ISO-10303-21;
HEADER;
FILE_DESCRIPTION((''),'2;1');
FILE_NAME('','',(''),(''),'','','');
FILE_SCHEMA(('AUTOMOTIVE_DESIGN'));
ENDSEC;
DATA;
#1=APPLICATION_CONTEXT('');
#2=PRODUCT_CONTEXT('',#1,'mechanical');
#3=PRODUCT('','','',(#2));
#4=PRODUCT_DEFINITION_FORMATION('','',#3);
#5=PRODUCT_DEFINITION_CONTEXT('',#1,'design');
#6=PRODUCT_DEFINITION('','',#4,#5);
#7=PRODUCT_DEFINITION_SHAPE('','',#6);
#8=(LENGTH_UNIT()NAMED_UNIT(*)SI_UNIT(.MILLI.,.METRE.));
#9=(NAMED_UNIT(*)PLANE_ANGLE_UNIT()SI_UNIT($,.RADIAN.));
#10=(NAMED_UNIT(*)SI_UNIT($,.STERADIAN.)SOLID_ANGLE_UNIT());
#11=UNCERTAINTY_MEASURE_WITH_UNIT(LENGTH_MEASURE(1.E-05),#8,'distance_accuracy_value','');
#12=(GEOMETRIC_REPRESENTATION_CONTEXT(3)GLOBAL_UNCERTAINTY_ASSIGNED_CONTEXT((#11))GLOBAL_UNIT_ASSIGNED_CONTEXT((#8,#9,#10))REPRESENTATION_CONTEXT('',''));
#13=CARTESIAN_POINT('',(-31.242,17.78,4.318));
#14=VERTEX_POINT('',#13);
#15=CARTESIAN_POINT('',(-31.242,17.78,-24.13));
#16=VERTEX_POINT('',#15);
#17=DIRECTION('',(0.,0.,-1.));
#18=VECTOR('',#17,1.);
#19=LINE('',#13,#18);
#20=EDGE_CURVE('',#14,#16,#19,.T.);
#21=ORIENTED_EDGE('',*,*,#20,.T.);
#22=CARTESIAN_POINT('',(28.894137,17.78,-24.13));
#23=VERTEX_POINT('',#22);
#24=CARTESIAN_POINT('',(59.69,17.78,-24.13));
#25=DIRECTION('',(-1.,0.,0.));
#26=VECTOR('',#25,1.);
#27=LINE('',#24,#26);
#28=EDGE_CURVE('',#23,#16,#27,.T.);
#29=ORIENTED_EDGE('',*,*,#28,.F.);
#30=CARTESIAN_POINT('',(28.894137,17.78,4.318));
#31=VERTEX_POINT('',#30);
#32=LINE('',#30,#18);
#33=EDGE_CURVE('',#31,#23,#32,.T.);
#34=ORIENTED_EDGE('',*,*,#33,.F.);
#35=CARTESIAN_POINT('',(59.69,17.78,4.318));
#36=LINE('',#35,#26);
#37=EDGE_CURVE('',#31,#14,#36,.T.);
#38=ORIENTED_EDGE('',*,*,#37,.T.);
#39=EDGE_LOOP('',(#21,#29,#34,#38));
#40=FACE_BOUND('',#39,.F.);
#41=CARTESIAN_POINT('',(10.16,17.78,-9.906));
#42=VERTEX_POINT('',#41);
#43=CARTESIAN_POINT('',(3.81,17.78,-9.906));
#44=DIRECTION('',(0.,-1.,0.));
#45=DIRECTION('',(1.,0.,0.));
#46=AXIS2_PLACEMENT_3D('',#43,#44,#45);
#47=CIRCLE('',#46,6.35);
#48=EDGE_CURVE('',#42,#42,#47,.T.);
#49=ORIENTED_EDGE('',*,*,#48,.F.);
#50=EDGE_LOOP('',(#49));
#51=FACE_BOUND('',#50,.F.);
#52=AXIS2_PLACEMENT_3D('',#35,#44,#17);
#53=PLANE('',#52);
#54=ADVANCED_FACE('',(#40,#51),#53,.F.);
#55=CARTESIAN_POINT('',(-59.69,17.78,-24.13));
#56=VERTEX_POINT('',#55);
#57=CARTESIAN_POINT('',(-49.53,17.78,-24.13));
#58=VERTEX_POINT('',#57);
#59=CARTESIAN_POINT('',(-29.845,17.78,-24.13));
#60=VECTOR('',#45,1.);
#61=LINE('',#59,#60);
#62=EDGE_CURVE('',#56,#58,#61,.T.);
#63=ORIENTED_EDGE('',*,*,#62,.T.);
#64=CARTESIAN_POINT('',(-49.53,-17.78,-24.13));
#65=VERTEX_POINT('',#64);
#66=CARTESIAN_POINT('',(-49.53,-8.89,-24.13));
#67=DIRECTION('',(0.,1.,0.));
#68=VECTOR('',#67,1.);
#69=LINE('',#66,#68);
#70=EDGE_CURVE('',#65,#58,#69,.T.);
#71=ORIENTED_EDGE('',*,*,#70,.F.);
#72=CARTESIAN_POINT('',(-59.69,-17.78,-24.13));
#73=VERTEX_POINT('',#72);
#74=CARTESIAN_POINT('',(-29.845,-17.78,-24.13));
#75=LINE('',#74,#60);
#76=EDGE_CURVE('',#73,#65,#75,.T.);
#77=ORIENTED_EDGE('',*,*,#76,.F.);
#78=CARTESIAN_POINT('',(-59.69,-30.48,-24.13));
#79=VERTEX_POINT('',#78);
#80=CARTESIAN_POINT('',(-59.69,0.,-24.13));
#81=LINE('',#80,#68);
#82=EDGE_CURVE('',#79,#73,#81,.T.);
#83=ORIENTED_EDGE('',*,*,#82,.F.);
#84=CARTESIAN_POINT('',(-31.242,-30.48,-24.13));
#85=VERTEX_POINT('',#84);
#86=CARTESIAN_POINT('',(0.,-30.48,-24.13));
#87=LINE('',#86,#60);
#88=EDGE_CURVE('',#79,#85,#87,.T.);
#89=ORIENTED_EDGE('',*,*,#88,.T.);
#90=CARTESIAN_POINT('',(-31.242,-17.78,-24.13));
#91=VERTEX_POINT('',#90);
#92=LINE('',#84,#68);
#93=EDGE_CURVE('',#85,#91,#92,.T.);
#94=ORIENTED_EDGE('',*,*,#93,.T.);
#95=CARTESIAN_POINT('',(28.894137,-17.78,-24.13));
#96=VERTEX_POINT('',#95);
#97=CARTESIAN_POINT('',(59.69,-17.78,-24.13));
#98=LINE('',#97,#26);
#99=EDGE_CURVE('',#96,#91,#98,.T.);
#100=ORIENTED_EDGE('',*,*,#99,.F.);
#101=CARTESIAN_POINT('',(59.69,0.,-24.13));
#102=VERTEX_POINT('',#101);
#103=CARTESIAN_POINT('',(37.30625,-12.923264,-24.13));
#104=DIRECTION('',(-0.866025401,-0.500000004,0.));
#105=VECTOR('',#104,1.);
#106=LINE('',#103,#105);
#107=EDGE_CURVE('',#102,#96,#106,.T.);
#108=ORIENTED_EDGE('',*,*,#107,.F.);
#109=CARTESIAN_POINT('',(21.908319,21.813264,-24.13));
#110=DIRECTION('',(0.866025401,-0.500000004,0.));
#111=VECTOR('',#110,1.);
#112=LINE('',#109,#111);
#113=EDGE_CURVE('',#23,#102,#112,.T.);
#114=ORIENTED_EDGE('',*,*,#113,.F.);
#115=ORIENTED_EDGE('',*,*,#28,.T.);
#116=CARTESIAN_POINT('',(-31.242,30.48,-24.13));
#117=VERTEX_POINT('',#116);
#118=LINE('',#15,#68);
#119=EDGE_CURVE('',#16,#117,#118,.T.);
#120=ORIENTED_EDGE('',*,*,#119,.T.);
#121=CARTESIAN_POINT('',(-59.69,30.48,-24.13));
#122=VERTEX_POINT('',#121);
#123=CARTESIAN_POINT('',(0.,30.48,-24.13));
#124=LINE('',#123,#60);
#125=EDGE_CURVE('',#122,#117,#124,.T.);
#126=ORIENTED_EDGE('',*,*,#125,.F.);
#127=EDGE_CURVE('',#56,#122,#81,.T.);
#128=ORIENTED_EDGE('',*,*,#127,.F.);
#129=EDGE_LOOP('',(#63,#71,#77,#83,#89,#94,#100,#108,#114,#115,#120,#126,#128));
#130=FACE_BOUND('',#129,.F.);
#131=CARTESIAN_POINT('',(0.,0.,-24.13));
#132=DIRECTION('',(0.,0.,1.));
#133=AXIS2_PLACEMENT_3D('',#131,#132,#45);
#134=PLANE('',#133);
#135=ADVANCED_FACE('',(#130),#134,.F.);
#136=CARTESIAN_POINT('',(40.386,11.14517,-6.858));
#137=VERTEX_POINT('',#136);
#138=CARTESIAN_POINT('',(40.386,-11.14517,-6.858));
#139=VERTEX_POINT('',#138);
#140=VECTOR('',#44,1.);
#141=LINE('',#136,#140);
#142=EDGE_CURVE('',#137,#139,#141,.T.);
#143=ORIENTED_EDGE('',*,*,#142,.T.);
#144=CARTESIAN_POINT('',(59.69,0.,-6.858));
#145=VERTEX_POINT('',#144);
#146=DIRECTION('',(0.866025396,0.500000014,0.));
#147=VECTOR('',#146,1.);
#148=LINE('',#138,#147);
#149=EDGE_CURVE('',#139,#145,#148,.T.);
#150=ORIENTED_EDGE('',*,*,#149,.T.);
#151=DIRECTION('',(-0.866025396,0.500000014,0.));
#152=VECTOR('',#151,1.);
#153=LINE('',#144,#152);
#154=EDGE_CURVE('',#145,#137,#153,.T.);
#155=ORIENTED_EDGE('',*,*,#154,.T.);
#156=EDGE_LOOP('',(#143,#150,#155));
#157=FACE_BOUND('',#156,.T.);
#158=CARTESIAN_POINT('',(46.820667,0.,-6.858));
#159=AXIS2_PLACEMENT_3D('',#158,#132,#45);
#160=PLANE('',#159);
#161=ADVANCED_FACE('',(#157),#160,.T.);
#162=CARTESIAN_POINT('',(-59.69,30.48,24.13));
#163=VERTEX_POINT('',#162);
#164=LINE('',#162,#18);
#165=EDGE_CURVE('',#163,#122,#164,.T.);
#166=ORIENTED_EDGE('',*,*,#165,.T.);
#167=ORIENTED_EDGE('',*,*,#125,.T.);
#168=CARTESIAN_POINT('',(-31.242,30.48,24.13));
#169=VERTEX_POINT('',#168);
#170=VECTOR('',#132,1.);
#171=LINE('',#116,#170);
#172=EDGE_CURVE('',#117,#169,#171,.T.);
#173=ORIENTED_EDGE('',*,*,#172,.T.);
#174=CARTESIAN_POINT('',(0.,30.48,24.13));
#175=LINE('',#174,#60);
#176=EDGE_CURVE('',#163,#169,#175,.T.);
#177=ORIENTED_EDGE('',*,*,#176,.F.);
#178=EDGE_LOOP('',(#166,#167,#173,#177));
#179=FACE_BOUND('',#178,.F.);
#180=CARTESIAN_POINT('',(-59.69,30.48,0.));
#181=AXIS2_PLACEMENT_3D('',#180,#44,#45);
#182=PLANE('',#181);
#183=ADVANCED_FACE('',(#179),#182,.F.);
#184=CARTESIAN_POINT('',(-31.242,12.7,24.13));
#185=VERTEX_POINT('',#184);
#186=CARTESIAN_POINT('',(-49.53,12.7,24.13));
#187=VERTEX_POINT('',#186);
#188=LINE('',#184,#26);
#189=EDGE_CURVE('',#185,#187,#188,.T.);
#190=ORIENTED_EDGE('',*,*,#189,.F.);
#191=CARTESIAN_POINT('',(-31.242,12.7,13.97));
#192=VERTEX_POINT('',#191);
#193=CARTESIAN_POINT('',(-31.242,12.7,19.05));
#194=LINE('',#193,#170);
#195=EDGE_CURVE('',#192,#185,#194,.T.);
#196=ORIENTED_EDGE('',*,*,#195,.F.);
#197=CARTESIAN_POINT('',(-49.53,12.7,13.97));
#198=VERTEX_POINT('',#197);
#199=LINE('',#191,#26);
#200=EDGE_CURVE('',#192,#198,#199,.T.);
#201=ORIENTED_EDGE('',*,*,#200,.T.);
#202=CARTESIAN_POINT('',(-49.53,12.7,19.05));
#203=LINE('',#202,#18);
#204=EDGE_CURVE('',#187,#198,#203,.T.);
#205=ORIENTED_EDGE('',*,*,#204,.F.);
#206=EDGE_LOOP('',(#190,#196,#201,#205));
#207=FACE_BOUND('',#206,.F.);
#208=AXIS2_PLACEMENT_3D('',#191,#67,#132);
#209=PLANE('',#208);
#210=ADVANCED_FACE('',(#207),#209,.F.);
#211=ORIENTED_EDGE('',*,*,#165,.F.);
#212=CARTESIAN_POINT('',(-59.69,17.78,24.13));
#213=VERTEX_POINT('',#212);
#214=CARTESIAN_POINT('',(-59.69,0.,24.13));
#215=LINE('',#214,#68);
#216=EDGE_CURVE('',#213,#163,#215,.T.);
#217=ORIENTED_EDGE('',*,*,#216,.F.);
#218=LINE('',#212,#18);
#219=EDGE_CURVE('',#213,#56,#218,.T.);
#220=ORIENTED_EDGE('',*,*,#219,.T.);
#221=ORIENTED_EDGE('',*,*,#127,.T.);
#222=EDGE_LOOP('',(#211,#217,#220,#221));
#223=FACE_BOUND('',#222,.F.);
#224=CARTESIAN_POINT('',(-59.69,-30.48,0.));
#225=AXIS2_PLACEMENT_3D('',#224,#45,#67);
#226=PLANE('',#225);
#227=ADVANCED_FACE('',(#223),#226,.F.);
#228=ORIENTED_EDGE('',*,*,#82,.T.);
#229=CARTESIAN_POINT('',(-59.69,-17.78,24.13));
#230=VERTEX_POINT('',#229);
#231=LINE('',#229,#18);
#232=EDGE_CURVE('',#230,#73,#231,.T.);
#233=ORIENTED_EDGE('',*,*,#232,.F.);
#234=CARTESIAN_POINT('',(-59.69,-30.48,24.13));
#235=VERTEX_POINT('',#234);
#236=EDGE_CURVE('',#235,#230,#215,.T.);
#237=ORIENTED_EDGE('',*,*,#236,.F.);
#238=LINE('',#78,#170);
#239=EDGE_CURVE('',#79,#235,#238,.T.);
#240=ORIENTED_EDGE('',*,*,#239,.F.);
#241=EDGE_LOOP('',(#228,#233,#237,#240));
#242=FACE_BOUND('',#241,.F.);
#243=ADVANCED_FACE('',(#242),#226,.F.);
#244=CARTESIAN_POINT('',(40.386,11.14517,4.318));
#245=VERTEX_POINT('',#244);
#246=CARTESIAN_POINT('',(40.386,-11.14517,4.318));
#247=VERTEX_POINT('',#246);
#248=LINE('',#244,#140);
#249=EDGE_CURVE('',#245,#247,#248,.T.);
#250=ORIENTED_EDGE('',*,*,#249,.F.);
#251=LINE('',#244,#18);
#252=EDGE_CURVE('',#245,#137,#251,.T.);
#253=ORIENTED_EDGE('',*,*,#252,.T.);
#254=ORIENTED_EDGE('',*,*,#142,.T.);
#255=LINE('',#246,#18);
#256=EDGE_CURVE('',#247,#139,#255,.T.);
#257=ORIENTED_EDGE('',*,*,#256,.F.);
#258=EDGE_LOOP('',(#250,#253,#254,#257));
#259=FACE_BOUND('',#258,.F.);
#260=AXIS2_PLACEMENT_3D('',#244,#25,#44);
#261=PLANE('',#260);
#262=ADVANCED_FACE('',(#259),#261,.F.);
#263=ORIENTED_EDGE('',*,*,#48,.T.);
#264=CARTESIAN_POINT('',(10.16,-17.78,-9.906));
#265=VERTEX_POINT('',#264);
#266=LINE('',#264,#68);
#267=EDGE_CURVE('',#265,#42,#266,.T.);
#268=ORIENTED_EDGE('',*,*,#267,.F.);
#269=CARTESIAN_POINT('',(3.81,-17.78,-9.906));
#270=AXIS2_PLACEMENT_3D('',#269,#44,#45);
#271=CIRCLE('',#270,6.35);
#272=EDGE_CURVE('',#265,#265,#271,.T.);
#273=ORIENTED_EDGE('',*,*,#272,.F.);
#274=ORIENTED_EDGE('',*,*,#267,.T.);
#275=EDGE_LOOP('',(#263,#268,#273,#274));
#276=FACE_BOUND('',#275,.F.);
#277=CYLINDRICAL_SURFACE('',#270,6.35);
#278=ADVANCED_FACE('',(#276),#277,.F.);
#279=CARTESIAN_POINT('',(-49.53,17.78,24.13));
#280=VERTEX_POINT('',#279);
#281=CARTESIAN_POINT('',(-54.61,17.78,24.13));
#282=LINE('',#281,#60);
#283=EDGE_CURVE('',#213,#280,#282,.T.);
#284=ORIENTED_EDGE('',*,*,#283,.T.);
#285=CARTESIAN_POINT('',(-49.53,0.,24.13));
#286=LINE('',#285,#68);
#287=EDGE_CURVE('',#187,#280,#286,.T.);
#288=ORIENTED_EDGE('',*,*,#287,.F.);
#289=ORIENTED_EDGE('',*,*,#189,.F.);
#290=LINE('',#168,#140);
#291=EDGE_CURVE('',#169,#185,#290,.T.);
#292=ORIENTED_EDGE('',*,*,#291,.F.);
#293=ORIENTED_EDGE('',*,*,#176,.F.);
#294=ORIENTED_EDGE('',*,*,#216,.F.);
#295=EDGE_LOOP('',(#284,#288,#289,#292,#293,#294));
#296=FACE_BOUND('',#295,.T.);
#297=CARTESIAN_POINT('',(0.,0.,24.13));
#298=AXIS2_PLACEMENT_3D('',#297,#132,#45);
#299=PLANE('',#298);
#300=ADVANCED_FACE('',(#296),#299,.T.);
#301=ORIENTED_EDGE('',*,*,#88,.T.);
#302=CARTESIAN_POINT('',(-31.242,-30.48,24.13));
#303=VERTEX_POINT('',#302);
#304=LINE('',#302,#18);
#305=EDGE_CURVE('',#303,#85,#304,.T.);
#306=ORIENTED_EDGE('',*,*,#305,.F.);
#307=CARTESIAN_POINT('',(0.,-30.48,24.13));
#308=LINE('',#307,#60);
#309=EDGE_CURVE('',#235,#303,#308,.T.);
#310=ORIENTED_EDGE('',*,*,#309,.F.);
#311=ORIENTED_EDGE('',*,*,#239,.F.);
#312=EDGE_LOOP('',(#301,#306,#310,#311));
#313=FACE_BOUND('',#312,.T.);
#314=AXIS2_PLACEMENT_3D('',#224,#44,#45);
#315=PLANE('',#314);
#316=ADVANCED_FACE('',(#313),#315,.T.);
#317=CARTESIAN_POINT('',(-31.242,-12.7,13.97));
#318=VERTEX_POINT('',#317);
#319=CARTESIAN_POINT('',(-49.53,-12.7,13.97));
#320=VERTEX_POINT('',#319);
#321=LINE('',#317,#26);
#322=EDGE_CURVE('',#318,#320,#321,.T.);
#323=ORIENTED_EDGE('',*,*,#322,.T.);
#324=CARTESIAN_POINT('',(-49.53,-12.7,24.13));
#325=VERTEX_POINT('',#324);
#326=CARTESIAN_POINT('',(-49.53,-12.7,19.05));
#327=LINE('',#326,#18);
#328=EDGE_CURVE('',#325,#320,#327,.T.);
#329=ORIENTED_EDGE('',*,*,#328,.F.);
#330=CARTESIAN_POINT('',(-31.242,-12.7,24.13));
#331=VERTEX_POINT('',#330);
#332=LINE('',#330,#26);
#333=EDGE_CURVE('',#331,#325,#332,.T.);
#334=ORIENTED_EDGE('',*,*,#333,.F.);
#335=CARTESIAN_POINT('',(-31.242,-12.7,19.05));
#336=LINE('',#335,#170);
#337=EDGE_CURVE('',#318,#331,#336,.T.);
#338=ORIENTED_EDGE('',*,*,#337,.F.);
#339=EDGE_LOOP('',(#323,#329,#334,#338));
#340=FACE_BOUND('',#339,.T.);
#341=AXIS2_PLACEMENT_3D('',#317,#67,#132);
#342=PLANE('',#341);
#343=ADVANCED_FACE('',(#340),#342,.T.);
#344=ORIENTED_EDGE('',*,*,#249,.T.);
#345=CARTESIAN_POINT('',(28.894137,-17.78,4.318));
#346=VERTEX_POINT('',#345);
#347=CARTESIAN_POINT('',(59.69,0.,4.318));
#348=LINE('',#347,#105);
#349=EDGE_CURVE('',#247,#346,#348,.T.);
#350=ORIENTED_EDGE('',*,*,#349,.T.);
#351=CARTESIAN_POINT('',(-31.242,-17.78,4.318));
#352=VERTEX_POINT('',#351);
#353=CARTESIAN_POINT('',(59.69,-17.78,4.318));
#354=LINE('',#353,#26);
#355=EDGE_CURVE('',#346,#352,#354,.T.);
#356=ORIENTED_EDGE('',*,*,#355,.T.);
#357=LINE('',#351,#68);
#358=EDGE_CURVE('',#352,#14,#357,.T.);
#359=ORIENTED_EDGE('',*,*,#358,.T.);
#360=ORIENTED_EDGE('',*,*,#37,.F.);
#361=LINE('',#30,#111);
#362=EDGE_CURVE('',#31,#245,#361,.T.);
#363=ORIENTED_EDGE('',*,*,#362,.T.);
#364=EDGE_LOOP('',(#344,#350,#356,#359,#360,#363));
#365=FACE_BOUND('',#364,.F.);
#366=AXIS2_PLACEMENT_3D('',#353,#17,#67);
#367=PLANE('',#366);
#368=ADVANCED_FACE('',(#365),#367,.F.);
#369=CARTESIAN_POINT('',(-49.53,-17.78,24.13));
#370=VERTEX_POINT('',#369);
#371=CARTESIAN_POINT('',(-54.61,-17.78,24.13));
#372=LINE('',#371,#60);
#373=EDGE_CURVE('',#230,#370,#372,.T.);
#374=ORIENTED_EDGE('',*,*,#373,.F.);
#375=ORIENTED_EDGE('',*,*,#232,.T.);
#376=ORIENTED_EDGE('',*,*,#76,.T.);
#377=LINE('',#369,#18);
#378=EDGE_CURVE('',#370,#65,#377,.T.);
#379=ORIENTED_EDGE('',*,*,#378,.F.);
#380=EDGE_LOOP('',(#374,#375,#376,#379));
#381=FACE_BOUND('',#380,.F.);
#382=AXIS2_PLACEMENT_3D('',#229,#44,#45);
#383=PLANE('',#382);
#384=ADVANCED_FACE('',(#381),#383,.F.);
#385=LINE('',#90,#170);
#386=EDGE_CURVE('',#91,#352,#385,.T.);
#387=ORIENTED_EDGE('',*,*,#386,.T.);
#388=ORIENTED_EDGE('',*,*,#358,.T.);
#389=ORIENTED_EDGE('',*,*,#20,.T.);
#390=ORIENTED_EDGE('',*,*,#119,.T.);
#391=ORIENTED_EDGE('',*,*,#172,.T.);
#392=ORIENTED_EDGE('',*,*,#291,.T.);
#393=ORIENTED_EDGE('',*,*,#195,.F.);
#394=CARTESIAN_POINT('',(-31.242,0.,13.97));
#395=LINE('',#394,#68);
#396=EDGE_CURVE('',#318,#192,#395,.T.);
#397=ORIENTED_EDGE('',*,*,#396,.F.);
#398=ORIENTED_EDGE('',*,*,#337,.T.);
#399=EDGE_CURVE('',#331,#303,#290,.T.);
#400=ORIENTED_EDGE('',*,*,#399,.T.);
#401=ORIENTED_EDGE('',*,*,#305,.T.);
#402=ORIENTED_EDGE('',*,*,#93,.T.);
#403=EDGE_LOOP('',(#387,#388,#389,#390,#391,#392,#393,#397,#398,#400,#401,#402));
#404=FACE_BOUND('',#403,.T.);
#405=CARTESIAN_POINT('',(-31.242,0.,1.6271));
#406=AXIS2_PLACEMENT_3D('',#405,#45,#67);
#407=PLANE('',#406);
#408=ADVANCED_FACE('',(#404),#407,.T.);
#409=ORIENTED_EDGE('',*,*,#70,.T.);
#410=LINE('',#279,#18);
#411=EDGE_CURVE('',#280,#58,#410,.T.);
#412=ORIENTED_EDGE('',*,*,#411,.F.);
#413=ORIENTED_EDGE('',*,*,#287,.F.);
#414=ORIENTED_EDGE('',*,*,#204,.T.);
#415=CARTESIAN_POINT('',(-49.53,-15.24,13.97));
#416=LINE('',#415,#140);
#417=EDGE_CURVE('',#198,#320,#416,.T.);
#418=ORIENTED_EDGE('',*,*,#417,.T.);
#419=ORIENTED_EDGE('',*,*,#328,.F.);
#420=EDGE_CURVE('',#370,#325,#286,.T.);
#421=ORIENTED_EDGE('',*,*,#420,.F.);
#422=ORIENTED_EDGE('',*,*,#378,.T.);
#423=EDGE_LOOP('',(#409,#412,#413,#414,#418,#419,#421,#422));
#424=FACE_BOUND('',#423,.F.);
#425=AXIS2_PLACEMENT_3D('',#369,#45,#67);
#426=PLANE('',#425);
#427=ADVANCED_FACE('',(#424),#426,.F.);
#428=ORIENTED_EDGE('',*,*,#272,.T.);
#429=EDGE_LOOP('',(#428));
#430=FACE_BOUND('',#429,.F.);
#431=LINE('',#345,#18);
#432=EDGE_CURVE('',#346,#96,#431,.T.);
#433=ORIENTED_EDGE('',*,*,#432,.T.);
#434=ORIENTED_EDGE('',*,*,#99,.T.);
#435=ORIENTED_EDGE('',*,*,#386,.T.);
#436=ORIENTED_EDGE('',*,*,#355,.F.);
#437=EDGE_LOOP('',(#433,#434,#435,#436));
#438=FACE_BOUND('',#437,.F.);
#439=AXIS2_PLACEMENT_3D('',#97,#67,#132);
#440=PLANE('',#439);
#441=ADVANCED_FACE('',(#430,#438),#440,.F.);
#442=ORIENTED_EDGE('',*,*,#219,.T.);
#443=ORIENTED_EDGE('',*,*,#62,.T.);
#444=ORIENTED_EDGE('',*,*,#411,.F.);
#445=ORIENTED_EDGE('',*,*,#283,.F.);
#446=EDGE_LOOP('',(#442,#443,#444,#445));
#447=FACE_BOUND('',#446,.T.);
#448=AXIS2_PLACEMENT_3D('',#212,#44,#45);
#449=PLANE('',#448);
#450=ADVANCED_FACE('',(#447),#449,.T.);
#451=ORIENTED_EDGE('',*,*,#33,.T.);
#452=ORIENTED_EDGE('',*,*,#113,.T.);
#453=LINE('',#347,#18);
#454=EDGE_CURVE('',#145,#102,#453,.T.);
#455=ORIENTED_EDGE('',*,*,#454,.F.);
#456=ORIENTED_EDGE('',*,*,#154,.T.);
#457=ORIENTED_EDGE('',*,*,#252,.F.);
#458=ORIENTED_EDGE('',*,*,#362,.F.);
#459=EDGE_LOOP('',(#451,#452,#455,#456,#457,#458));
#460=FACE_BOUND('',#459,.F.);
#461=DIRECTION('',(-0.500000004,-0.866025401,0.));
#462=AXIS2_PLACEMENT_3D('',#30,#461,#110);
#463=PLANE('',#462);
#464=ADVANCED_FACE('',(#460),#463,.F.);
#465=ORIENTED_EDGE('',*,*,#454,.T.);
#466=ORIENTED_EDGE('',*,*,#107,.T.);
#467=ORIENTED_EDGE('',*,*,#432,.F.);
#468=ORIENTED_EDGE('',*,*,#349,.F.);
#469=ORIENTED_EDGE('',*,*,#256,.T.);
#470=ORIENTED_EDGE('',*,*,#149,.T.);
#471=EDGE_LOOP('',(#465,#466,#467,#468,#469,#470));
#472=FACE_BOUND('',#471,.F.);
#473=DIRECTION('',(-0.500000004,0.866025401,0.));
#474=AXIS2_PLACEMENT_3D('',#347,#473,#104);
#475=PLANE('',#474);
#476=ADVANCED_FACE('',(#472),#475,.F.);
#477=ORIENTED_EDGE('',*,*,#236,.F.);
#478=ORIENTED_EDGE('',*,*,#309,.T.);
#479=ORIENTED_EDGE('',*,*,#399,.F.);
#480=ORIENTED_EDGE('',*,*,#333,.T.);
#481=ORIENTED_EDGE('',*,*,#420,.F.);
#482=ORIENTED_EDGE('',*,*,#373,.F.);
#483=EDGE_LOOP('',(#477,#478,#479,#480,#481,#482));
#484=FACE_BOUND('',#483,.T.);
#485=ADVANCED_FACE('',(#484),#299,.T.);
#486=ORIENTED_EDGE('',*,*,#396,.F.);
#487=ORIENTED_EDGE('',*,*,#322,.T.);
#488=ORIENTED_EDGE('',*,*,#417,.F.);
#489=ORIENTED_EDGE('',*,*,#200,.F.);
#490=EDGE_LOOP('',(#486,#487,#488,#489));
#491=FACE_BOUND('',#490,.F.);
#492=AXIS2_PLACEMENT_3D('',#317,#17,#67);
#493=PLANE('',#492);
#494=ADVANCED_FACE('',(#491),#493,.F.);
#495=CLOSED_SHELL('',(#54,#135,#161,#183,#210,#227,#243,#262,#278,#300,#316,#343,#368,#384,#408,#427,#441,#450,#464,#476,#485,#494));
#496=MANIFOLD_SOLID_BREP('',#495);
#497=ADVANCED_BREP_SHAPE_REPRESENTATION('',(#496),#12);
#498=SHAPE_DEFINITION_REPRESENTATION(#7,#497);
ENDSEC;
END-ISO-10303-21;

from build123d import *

# Parameters (mm, degrees)
F0_W      = 119.38
F0_H      = 60.96
F1_DEPTH  = 24.13
F3_DEPTH  = 90.932
F4_W      = 25.4
F4_H      = 10.16
F5_DEPTH  = 45.3898
F6_W      = 10.16
F6_H      = 35.56
F7_DEPTH  = 53.4162
F9_DEPTH  = 34.798
F11_DEPTH = 11.176
F12_R     = 6.35
F13_DEPTH = 58.166


with BuildPart() as f1:
    # F0 (on Top) → F1 (new body, symmetric)
    with BuildSketch(Plane.XY):
        Rectangle(F0_W, F0_H)
    extrude(amount=F1_DEPTH, both=True)

    # F2 (on face) → F3 (cut)
    with BuildSketch(Plane.YZ.offset(59.69)):
        Polygon((-30.48, -24.13), (-17.78, -24.13), (-17.78, 4.318), (17.78, 4.318), (17.78, -24.13), (30.48, -24.13), (30.48, 24.13), (-30.48, 24.13), align=None)
    extrude(amount=-F3_DEPTH, mode=Mode.SUBTRACT)

    # F4 (on face) → F5 (cut)
    with BuildSketch(Plane.YZ.offset(-31.242)):
        with Locations((0, 19.05)):
            Rectangle(F4_W, F4_H)
    extrude(amount=-F5_DEPTH, mode=Mode.SUBTRACT)

    # F6 (on face) → F7 (cut)
    with BuildSketch(Plane.XY.offset(24.13)):
        with Locations((-54.61, 0)):
            Rectangle(F6_W, F6_H)
    extrude(amount=-F7_DEPTH, mode=Mode.SUBTRACT)

    # F8 (on face) → F9 (cut)
    with BuildSketch(Plane.XY.offset(4.318)):
        Polygon((28.894137, 17.78), (59.69, 0), (59.69, 17.78), align=None)
        Polygon((59.69, -17.78), (59.69, 0), (28.894137, -17.78), align=None)
    extrude(amount=-F9_DEPTH, mode=Mode.SUBTRACT)

    # F10 (on face) → F11 (cut)
    with BuildSketch(Plane.XY.offset(4.318)):
        Polygon((40.386, 11.14517), (40.386, -11.14517), (59.69, 0), align=None)
    extrude(amount=-F11_DEPTH, mode=Mode.SUBTRACT)

    # F12 (on face) → F13 (cut)
    with BuildSketch(Plane.XZ.offset(17.78)):
        with Locations((3.81, -9.906)):
            Circle(F12_R)
    extrude(amount=-F13_DEPTH, mode=Mode.SUBTRACT)


solid = f1.part
